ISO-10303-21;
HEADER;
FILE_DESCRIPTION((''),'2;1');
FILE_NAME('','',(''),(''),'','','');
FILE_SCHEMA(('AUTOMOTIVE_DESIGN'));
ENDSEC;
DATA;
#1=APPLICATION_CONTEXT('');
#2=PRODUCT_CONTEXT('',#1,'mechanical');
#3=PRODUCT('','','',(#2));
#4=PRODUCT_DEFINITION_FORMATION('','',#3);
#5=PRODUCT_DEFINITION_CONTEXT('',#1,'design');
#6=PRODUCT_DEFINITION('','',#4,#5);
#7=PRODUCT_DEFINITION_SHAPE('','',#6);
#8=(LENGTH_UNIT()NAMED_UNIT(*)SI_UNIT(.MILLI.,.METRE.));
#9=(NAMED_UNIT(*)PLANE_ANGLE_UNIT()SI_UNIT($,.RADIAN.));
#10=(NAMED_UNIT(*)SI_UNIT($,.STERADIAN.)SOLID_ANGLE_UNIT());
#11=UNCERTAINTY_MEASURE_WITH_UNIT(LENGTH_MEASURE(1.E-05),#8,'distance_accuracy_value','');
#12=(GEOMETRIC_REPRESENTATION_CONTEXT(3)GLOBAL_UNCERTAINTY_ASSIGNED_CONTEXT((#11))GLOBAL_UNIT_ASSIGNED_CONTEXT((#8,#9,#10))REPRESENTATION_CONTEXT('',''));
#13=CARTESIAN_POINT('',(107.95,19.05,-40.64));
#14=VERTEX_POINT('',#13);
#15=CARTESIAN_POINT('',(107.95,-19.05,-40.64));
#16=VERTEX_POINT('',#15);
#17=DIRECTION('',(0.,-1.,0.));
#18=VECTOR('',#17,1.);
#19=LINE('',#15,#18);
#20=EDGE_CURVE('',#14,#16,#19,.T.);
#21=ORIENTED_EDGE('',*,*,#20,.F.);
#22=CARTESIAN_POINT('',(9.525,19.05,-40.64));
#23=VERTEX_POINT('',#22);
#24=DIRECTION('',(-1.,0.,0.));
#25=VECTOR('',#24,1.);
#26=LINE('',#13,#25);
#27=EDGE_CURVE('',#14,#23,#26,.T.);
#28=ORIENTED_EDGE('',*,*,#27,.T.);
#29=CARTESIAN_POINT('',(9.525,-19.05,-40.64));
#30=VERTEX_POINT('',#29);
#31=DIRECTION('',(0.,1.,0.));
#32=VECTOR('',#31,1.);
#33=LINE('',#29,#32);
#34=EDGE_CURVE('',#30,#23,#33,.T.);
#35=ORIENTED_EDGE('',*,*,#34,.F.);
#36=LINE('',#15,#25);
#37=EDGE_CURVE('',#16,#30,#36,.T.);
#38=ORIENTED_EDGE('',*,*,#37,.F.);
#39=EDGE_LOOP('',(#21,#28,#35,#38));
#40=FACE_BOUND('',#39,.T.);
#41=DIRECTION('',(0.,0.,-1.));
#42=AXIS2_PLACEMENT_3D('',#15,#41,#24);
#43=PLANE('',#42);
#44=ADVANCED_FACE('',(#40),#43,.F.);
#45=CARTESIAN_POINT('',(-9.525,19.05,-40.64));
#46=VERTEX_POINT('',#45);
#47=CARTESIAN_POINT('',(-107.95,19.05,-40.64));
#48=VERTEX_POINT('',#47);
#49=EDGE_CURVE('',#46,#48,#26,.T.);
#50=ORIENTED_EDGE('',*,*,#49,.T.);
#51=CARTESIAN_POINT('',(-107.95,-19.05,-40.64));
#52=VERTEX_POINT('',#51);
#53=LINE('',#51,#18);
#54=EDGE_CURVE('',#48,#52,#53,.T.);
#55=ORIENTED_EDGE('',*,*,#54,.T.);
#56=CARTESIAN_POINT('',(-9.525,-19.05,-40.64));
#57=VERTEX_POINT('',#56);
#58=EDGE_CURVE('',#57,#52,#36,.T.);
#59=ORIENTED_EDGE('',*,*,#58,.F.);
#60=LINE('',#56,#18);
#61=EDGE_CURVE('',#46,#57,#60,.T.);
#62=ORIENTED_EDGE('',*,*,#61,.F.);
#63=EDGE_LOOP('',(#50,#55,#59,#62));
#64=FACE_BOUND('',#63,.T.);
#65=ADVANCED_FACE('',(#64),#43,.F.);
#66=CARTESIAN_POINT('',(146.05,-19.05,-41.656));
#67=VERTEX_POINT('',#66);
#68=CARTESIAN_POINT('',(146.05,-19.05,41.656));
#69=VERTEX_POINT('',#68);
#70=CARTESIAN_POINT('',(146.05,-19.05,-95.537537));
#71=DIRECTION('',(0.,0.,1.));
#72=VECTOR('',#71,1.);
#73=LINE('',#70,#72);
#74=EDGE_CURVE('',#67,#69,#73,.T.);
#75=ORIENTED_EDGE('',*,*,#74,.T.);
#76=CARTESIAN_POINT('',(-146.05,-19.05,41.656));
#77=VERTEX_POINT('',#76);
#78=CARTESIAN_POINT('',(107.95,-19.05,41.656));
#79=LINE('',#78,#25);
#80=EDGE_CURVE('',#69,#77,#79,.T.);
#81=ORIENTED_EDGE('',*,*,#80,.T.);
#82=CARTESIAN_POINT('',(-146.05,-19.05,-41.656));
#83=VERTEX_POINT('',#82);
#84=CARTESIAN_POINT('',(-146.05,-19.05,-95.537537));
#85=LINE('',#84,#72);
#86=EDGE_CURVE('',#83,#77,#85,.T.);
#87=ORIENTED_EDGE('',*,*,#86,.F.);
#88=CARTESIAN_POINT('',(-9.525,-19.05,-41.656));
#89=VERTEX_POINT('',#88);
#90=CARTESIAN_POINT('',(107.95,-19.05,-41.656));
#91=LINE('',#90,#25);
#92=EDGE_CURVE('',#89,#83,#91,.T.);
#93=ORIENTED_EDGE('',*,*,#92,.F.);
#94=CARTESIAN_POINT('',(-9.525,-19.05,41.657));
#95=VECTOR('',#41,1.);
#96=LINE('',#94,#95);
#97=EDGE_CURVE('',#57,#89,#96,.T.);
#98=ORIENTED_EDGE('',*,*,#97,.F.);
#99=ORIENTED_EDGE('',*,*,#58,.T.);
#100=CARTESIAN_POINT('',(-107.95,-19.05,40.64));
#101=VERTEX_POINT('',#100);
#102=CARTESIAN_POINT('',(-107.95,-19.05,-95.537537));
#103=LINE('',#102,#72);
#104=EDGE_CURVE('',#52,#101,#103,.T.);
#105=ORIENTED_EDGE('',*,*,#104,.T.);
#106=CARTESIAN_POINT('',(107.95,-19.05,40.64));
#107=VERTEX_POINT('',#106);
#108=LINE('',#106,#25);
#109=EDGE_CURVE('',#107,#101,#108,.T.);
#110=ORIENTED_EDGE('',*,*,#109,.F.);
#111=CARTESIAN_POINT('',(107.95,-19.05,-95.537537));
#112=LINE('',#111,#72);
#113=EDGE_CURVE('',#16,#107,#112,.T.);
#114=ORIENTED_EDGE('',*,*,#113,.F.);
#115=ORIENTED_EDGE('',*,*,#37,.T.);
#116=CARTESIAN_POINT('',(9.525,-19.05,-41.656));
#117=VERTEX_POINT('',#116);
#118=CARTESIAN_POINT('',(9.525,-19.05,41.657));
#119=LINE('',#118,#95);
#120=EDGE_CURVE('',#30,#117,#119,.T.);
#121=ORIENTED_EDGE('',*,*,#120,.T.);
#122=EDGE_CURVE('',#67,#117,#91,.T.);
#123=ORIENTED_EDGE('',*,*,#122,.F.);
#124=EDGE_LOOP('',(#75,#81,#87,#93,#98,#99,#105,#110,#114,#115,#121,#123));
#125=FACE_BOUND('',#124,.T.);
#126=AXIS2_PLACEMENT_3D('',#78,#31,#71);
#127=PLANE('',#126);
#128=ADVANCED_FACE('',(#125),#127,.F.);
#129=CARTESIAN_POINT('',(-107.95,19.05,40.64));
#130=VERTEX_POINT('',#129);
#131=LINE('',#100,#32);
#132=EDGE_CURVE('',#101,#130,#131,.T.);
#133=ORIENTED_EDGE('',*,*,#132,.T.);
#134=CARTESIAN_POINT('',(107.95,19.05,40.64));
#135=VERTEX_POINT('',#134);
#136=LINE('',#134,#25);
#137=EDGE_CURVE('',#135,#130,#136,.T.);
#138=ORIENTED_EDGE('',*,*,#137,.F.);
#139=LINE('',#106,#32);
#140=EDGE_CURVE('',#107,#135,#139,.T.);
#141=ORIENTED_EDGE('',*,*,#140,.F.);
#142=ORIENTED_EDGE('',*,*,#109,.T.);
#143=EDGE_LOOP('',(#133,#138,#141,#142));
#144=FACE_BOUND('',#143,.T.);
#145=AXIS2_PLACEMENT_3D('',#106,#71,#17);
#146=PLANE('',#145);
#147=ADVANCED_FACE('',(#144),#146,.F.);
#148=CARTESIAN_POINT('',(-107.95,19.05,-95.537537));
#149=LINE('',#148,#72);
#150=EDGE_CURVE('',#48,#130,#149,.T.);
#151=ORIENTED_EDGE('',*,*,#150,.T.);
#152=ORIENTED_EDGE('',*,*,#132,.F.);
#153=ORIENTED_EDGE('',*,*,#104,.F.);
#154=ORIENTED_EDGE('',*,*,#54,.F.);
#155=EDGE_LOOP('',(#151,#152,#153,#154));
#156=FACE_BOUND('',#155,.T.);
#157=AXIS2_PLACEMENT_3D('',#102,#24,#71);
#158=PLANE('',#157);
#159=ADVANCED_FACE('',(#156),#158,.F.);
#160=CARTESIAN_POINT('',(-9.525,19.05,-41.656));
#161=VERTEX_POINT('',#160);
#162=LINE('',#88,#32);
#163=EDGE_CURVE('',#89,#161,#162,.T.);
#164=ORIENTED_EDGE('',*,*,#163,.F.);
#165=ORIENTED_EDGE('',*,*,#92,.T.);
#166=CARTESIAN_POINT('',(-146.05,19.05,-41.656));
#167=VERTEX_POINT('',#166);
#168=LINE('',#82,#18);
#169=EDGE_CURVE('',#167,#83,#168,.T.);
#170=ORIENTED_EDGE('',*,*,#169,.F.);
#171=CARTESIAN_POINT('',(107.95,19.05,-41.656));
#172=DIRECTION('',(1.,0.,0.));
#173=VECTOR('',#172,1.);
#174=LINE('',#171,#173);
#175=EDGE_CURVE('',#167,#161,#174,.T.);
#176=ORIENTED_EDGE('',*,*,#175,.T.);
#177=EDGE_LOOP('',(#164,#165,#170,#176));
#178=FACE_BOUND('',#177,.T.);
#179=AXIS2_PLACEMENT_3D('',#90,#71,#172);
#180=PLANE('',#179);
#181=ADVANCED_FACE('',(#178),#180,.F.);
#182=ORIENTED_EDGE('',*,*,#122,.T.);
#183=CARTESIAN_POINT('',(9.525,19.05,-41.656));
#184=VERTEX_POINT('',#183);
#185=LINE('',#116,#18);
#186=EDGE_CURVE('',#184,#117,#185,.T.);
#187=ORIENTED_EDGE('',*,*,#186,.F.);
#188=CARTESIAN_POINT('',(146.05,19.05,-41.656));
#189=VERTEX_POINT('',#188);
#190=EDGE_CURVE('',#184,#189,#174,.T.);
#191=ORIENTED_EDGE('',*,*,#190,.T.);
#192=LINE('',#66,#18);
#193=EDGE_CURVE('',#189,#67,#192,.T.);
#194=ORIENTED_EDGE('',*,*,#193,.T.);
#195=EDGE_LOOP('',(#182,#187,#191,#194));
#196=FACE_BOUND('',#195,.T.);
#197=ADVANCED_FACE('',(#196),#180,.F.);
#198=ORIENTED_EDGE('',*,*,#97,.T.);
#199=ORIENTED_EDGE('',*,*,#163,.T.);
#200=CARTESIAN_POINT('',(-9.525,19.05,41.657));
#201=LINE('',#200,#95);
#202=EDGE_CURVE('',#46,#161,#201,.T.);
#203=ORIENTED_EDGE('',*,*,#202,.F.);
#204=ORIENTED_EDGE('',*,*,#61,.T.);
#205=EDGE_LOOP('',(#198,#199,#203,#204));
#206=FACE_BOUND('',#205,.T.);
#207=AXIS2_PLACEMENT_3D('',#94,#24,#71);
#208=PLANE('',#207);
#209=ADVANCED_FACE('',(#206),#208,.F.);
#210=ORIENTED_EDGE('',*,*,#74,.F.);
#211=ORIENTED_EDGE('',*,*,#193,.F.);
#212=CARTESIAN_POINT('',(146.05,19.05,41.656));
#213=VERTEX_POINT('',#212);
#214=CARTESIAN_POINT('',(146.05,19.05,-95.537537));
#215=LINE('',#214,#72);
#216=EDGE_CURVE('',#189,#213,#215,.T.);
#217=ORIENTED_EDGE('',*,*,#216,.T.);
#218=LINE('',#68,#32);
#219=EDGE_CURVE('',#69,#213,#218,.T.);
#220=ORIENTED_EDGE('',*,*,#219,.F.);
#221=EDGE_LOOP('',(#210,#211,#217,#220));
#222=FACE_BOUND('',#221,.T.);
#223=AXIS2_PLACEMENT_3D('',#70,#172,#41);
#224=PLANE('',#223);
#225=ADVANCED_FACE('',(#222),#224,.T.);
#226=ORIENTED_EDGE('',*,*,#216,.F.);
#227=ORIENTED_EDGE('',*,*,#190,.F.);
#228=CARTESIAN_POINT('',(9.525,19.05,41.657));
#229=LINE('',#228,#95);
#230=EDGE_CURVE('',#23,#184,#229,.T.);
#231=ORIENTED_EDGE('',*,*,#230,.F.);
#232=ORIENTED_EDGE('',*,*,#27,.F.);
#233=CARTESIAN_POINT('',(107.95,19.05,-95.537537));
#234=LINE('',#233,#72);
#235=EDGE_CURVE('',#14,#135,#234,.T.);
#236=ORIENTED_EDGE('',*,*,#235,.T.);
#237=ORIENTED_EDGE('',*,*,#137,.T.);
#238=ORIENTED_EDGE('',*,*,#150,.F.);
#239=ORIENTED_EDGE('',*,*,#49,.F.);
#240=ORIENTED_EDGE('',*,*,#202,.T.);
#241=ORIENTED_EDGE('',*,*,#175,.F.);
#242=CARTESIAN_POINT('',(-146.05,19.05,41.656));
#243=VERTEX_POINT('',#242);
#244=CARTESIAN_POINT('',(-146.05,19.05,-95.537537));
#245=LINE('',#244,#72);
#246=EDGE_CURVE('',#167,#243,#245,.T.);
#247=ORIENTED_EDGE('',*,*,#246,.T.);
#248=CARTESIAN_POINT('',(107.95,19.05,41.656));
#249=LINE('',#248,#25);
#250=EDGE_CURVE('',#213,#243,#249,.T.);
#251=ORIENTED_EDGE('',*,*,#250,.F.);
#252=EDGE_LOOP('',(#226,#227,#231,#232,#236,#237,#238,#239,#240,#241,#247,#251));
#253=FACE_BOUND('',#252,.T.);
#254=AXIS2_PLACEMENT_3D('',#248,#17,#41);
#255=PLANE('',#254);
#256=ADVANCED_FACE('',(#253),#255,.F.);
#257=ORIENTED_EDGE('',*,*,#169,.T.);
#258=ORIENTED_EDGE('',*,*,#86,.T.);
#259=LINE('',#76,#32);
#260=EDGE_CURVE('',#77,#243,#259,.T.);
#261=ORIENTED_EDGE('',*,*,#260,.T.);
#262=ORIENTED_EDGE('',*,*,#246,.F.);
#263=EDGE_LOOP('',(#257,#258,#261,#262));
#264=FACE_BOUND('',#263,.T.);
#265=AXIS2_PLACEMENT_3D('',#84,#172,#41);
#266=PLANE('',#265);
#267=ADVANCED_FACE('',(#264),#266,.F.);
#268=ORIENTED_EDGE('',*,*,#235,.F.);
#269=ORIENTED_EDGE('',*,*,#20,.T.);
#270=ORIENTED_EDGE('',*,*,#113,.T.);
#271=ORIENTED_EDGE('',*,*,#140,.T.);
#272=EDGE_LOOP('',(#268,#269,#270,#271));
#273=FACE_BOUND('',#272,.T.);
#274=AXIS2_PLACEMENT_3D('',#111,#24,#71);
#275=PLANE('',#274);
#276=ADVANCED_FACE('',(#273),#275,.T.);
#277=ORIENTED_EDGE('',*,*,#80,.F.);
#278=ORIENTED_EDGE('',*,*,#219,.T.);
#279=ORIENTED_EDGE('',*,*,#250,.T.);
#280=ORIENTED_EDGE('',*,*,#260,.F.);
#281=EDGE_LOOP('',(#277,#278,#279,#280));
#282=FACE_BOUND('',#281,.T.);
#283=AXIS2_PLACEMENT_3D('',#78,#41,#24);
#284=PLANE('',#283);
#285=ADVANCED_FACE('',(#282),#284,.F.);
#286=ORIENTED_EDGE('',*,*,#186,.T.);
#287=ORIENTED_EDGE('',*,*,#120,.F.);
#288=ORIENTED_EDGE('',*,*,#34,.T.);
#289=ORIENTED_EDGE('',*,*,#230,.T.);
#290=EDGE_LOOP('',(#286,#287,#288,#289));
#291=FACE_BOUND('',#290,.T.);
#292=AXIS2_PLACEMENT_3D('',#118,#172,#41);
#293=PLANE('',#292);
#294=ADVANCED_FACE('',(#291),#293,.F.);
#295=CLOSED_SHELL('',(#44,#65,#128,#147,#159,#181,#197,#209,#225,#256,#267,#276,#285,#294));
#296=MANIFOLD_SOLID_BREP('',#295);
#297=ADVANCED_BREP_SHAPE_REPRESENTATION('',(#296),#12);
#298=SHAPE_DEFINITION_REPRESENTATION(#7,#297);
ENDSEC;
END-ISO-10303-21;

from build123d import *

# Parameters (mm, degrees)
SKETCH1_W             = 1.016
SKETCH1_H             = 38.1
BOSS_EXTRUDE2_DEPTH   = 107.95
BOSS_EXTRUDE2_2_DEPTH = 107.95
SKETCH2_W             = 38.1
SKETCH2_H             = 38.1
BOSS_EXTRUDE3_DEPTH   = 83.312
CUT_EXTRUDE1_REACH    = 85.312
SKETCH3_W             = 19.05
SKETCH3_H             = 38.1


with BuildPart() as part:
    # Sketch1 → Boss-Extrude2 (new body, symmetric)
    with BuildSketch(Plane(origin=(0, 0, 0), x_dir=(0, 0, -1), z_dir=(1, 0, 0))):
        with Locations((41.148, 0)):
            Rectangle(SKETCH1_W, SKETCH1_H)
    extrude(amount=BOSS_EXTRUDE2_DEPTH, both=True)



with BuildPart() as body_2:
    # Sketch1 → Boss-Extrude2 2 (new body, symmetric)
    with BuildSketch(Plane(origin=(0, 0, 0), x_dir=(0, 0, -1), z_dir=(1, 0, 0))):
        with Locations((-41.148, 0)):
            Rectangle(SKETCH1_W, SKETCH1_H)
    extrude(amount=BOSS_EXTRUDE2_2_DEPTH, both=True)


with BuildPart() as part_1:
    add(part.part)

    add(body_2.part)  # Boss-Extrude3 merges body 2
    # Sketch2 → Boss-Extrude3 (add)
    with BuildSketch(Plane.XY.offset(41.656)):
        with Locations((127, 0)):
            Rectangle(SKETCH2_W, SKETCH2_H)
    boss_extrude3 = extrude(amount=-BOSS_EXTRUDE3_DEPTH)

    # Mirror4: Boss-Extrude3 across plane
    add(boss_extrude3.mirror(Plane(origin=(0, 0, 0), x_dir=(0, 0, 1), z_dir=(1, 0, 0))))

    # Sketch3 → Cut-Extrude1 (cut, up to next)
    with BuildSketch(Plane(origin=(0, 0, -41.656), x_dir=(-1, 0, 0), z_dir=(0, 0, -1)), mode=Mode.PRIVATE) as cut_extrude1_sk1:
        Rectangle(SKETCH3_W, SKETCH3_H)
    cut_extrude1_tool1 = extrude(cut_extrude1_sk1.sketch, amount=-CUT_EXTRUDE1_REACH, mode=Mode.PRIVATE) & part_1.part
    add(cut_extrude1_tool1.solids().sort_by_distance((0, 0, -41.656))[0], mode=Mode.SUBTRACT)


solid = part_1.part
